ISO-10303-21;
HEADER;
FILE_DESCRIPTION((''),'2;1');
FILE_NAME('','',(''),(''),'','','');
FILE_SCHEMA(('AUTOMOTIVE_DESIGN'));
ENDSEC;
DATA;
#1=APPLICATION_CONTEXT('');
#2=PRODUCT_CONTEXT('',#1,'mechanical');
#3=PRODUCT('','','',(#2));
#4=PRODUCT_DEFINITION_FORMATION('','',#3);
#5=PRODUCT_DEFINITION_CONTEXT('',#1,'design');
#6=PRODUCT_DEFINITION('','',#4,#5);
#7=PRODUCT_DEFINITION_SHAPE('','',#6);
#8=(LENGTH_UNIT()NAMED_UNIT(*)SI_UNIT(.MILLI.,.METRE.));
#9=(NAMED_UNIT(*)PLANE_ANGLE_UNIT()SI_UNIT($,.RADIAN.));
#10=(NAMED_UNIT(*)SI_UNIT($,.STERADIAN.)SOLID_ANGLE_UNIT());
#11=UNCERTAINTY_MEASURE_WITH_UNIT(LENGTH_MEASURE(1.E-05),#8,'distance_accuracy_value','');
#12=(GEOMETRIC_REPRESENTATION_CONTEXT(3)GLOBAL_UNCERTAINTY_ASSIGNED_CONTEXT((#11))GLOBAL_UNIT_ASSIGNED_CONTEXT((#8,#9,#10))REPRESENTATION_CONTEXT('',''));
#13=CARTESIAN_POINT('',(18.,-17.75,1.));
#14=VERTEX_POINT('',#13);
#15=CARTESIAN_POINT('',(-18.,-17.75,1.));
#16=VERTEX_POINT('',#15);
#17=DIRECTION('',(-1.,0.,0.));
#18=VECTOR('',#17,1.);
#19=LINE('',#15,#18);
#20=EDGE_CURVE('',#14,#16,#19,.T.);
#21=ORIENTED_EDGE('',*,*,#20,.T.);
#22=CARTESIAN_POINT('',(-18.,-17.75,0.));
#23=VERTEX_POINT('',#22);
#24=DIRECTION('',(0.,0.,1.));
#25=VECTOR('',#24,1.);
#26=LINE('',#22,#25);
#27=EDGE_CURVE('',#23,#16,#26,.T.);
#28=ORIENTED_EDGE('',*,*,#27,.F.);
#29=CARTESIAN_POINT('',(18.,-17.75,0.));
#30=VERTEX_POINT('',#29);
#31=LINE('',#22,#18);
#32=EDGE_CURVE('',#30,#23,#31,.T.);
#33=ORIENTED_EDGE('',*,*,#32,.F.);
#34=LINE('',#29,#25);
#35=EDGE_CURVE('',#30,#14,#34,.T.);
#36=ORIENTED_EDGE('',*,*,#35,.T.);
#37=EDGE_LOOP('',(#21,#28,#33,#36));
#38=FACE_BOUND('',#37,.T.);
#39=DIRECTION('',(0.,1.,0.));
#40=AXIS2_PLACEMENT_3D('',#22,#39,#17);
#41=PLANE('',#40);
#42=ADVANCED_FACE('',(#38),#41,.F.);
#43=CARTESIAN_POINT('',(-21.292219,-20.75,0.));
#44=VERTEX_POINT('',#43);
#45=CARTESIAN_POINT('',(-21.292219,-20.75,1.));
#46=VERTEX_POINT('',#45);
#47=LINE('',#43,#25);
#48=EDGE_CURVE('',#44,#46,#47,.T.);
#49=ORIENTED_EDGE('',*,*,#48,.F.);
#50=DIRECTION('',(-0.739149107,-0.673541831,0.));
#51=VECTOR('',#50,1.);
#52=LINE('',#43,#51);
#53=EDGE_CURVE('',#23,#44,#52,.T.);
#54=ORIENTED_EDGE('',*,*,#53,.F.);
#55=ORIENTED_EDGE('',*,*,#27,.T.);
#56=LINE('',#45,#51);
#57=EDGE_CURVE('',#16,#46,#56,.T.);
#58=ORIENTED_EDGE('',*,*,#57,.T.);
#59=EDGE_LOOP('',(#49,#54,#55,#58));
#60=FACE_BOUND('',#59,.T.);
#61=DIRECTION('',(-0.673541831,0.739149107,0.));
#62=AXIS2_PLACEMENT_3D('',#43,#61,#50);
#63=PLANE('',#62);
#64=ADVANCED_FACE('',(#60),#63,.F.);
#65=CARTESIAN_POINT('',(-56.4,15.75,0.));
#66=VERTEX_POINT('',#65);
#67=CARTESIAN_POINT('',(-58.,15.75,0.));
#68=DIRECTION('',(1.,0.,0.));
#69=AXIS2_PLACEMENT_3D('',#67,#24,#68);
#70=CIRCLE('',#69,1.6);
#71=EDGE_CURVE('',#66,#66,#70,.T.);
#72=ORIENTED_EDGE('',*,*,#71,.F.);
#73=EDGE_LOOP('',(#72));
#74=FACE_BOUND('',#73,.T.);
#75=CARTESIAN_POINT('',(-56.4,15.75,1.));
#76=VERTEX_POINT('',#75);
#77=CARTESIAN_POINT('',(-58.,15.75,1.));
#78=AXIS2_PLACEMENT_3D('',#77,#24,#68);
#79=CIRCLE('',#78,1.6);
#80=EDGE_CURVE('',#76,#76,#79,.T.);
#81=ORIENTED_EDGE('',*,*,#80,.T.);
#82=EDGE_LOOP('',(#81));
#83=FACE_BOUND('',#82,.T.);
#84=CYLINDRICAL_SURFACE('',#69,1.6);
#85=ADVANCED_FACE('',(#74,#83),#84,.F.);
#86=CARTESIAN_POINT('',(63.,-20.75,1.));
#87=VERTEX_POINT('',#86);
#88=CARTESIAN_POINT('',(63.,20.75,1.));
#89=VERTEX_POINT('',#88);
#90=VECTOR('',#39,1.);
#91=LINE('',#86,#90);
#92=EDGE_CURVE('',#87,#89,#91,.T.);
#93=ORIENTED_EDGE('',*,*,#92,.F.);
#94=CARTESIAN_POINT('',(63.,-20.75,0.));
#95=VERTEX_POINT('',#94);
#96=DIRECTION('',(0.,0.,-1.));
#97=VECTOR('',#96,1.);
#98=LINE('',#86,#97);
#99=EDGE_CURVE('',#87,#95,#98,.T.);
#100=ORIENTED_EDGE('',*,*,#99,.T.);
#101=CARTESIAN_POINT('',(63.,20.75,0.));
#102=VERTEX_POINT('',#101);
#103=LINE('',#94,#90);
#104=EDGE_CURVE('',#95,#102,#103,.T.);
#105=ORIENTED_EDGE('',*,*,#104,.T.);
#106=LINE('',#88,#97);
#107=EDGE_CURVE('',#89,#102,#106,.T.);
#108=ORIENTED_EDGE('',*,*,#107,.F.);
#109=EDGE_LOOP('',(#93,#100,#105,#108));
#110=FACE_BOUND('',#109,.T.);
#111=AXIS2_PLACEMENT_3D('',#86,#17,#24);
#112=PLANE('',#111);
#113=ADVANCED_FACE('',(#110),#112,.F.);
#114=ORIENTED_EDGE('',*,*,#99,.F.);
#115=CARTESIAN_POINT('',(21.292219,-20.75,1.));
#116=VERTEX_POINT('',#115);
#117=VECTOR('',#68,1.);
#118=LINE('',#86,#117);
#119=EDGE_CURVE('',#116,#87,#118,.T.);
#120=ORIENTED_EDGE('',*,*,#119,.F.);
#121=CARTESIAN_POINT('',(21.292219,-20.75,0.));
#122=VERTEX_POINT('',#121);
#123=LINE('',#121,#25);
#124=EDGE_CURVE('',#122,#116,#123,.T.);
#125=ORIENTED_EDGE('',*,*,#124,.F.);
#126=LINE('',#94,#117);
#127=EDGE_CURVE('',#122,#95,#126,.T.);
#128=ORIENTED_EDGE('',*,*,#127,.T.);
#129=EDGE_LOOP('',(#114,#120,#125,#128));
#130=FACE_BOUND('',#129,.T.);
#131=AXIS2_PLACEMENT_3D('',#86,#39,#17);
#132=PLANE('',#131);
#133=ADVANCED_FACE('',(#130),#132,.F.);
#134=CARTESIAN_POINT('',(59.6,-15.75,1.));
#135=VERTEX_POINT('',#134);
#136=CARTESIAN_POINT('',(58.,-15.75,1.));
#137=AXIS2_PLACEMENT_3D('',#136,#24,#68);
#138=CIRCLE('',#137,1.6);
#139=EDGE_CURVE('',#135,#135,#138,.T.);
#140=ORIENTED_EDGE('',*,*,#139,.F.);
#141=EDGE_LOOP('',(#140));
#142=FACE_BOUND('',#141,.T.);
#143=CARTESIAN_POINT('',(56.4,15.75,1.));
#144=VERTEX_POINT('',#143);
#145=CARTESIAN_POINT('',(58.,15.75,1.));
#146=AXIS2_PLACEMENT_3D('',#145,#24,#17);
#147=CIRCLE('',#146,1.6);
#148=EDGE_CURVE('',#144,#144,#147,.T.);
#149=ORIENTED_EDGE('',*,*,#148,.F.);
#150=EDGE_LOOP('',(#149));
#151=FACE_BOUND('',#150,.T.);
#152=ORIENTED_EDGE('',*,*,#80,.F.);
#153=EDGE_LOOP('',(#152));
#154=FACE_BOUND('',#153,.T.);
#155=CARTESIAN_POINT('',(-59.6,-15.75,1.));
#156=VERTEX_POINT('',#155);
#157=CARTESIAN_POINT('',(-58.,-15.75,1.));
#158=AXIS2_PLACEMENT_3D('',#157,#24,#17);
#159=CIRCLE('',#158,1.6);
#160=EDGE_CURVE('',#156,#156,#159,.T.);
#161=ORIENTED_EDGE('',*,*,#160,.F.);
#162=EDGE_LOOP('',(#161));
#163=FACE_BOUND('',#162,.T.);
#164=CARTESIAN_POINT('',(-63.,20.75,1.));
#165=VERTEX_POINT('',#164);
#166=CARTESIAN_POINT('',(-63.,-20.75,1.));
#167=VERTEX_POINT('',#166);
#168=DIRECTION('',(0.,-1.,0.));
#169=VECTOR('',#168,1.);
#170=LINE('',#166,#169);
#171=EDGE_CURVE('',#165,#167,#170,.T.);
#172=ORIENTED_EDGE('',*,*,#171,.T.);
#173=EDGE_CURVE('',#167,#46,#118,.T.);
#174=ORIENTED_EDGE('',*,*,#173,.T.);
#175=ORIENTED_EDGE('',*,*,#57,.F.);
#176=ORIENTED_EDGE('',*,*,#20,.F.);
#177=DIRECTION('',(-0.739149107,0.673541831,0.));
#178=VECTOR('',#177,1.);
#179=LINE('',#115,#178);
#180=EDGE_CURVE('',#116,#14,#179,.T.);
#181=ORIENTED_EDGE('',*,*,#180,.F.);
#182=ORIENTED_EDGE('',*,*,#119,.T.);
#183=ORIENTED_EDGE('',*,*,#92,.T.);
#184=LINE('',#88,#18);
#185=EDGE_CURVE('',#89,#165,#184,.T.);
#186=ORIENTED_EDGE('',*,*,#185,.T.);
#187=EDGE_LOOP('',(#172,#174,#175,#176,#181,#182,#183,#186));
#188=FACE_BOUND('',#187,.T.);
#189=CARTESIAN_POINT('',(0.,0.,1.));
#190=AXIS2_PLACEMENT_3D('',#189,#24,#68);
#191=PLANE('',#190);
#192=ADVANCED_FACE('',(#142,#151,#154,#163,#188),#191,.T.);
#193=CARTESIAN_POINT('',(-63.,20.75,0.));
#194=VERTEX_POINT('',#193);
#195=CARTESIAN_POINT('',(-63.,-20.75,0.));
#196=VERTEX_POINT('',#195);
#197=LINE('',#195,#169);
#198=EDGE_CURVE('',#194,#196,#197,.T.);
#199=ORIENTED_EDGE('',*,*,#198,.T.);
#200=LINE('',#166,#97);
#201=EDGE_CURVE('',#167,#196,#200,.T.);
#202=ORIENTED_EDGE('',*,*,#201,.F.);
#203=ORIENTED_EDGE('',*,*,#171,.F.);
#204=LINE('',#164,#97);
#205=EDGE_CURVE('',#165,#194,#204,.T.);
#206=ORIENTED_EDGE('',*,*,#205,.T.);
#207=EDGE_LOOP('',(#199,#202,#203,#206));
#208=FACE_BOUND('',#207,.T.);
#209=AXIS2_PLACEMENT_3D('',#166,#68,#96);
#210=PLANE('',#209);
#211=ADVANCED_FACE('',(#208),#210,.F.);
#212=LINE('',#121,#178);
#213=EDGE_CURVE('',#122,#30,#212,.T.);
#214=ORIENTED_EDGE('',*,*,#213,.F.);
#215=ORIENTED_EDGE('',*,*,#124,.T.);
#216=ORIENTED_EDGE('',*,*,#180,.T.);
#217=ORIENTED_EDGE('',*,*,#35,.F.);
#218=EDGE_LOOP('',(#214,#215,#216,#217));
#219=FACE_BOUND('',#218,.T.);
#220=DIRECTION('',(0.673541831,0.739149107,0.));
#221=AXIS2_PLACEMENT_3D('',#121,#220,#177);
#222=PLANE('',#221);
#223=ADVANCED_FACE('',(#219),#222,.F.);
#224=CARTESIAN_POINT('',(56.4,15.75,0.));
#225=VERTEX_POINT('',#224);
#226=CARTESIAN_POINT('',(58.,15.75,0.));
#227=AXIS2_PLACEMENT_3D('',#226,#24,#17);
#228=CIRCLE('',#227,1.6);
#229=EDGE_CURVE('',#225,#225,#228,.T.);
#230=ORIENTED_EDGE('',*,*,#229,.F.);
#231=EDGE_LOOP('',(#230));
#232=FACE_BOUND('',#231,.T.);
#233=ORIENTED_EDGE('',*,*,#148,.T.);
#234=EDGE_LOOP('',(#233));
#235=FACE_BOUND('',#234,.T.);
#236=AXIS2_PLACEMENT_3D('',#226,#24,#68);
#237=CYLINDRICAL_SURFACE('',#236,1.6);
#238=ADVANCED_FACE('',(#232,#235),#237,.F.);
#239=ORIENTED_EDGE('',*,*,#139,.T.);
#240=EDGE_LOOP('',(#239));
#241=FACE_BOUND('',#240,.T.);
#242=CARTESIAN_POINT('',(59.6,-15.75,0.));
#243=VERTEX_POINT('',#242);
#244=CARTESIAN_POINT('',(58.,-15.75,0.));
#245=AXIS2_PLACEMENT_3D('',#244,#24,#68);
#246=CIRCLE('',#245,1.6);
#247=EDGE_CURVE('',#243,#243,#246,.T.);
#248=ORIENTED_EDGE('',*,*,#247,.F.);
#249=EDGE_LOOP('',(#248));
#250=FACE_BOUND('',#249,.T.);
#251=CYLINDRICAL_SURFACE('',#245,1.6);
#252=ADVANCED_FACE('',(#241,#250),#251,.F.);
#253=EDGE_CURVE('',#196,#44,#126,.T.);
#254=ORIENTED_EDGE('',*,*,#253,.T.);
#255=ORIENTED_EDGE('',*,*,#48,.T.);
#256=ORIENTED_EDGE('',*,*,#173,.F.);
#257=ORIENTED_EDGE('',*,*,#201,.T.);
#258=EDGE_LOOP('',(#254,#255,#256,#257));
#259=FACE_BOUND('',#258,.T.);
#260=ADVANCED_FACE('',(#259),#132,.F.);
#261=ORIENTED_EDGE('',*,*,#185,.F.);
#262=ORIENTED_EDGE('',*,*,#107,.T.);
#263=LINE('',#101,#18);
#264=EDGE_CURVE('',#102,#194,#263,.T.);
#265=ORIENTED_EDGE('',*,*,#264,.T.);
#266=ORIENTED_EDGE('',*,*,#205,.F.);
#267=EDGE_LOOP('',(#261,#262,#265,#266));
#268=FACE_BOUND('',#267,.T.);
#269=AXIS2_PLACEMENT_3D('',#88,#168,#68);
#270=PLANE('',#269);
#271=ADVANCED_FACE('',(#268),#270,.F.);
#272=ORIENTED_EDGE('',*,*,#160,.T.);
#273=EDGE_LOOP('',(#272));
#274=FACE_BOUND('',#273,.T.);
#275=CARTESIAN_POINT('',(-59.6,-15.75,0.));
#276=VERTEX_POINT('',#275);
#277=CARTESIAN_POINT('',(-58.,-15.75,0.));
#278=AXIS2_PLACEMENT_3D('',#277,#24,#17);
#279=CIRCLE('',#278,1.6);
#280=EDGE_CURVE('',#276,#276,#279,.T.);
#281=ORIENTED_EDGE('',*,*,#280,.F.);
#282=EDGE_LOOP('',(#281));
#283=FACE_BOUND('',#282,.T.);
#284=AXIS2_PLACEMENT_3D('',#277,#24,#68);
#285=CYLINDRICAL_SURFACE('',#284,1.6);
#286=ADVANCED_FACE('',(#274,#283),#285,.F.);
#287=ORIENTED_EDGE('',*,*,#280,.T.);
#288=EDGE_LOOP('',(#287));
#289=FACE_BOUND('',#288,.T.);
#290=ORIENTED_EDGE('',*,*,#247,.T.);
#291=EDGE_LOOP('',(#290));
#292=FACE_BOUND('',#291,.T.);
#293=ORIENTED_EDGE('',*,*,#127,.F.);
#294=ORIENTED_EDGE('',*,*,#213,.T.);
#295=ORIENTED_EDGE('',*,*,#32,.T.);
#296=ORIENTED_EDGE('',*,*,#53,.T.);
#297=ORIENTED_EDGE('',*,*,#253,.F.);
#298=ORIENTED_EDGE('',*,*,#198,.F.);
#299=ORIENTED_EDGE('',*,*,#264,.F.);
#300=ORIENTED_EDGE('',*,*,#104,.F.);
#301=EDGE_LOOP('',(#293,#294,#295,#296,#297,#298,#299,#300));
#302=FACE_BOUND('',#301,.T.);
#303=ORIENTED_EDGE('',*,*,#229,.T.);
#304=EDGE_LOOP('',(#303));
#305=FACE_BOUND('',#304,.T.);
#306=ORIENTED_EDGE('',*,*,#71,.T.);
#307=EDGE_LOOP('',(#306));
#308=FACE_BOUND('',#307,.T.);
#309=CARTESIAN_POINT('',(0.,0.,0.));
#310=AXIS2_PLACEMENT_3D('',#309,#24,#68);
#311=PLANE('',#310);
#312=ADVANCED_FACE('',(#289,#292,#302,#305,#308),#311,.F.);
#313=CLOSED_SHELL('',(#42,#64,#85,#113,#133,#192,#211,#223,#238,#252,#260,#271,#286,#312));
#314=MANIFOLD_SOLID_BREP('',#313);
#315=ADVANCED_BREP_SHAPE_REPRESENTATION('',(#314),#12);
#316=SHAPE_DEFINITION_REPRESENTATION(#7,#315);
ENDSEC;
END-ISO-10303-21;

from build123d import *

# Parameters (mm, degrees)
SKETCH_1_W          = 126
SKETCH_1_H          = 41.5
EXTRUDE_1_DEPTH     = 1
SKETCH_2_R          = 1.6
CUT_EXTRUDE_1_DEPTH = 67.336735675
CUT_EXTRUDE_2_DEPTH = 67.336735675


with BuildPart() as part:
    # 草图1 → 凸台-拉伸1 (new body)
    with BuildSketch(Plane.XY):
        Rectangle(SKETCH_1_W, SKETCH_1_H)
    extrude(amount=EXTRUDE_1_DEPTH)

    # 草图2 → 切除-拉伸1 (cut, through all)
    with BuildSketch(Plane.XY.offset(1)):
        with Locations((-58, 15.75)):
            Circle(SKETCH_2_R)
        with Locations(Location((-58, -15.75, 0), (0, 0, 180))):
            Circle(SKETCH_2_R)
        with Locations((58, -15.75)):
            Circle(SKETCH_2_R)
        with Locations(Location((58, 15.75, 0), (0, 0, 180))):
            Circle(SKETCH_2_R)
    extrude(amount=-CUT_EXTRUDE_1_DEPTH, mode=Mode.SUBTRACT)

    # 草图3 → 切除-拉伸2 (cut, through all)
    with BuildSketch(Plane.XY.offset(1)):
        Polygon((-21.292219163, -20.75), (-18, -17.75), (18, -17.75), (21.292219163, -20.75), align=None)
    extrude(amount=-CUT_EXTRUDE_2_DEPTH, mode=Mode.SUBTRACT)


solid = part.part
